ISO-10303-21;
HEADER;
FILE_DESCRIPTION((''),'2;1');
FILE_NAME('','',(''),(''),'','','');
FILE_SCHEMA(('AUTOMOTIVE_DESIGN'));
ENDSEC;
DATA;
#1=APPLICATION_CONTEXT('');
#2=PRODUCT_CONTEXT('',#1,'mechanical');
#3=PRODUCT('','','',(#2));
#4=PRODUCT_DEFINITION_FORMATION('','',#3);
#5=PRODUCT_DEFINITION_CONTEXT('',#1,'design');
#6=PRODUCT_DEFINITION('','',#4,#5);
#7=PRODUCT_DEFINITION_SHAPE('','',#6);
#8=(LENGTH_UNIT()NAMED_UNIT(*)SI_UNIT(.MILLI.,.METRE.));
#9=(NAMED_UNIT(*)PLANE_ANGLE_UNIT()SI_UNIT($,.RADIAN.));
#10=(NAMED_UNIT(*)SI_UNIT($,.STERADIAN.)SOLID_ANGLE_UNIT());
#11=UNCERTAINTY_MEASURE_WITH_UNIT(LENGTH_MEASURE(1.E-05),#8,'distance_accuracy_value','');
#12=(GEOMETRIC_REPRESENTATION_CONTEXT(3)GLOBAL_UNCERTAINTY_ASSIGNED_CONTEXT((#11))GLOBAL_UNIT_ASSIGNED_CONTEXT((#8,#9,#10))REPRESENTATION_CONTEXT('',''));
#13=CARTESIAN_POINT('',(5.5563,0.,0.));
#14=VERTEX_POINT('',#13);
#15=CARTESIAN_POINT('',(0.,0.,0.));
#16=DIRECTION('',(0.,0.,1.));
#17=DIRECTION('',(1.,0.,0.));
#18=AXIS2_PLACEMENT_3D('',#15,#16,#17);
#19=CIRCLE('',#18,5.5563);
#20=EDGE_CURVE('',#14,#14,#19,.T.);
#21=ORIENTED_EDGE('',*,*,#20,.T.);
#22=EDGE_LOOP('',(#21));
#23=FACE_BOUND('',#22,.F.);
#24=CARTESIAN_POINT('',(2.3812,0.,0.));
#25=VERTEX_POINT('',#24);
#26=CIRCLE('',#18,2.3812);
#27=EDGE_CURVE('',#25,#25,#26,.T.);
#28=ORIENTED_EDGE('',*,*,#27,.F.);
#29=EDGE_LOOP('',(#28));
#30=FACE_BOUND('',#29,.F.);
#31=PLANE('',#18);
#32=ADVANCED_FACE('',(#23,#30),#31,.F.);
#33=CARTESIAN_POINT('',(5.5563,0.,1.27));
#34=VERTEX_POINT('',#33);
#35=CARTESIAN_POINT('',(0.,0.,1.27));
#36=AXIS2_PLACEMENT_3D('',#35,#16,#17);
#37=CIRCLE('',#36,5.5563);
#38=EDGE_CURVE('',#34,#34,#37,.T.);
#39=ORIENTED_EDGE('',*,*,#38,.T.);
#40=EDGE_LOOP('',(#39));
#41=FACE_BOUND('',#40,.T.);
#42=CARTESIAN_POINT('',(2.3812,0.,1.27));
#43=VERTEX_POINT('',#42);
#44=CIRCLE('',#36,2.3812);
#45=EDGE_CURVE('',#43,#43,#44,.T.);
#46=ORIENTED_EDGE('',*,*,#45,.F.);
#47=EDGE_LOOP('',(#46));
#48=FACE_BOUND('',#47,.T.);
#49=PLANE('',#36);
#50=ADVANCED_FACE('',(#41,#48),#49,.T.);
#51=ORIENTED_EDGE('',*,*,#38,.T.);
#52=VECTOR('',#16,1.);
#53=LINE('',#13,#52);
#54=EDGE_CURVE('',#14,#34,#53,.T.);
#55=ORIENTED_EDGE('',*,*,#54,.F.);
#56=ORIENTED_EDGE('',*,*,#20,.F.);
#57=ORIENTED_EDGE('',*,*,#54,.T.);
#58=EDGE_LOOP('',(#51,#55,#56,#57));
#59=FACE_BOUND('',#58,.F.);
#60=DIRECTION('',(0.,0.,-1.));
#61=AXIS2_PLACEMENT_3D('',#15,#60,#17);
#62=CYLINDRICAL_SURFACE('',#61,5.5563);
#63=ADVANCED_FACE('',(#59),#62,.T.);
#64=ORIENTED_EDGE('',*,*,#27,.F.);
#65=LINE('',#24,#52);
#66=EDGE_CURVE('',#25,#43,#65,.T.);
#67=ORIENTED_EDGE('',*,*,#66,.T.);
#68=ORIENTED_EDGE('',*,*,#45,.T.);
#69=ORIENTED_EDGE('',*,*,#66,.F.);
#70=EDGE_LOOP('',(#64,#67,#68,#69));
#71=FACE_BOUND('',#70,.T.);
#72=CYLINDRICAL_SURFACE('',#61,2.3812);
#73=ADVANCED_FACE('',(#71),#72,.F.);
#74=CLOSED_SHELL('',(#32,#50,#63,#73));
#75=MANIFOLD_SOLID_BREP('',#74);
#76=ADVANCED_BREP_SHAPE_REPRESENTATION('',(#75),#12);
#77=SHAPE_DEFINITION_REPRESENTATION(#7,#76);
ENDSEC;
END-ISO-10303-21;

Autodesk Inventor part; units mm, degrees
ref_plane "YZ Plane" through (0, 0, 0) normal (1, 0, 0) x (0, 1, 0)
ref_plane "XZ Plane" through (0, 0, 0) normal (0, 1, 0) x (-1, 0, 0)
ref_plane "XY Plane" through (0, 0, 0) normal (0, 0, 1) x (1, 0, 0)
sketch "Sketch1" plane through (0, 0, 0) normal (0, 0, 1) x (1, 0, 0)
  circle A0 centre (0, 0) radius 2.3812
  circle A1 centre (0, 0) radius 5.5563
  dimension "d0" = 4.7625
  dimension "d1" = 11.1125
extrude "Extrusion1" add sketch "Sketch1" along normal blind 1.27
properties part number "Washer 8 ID" material "Steel"
